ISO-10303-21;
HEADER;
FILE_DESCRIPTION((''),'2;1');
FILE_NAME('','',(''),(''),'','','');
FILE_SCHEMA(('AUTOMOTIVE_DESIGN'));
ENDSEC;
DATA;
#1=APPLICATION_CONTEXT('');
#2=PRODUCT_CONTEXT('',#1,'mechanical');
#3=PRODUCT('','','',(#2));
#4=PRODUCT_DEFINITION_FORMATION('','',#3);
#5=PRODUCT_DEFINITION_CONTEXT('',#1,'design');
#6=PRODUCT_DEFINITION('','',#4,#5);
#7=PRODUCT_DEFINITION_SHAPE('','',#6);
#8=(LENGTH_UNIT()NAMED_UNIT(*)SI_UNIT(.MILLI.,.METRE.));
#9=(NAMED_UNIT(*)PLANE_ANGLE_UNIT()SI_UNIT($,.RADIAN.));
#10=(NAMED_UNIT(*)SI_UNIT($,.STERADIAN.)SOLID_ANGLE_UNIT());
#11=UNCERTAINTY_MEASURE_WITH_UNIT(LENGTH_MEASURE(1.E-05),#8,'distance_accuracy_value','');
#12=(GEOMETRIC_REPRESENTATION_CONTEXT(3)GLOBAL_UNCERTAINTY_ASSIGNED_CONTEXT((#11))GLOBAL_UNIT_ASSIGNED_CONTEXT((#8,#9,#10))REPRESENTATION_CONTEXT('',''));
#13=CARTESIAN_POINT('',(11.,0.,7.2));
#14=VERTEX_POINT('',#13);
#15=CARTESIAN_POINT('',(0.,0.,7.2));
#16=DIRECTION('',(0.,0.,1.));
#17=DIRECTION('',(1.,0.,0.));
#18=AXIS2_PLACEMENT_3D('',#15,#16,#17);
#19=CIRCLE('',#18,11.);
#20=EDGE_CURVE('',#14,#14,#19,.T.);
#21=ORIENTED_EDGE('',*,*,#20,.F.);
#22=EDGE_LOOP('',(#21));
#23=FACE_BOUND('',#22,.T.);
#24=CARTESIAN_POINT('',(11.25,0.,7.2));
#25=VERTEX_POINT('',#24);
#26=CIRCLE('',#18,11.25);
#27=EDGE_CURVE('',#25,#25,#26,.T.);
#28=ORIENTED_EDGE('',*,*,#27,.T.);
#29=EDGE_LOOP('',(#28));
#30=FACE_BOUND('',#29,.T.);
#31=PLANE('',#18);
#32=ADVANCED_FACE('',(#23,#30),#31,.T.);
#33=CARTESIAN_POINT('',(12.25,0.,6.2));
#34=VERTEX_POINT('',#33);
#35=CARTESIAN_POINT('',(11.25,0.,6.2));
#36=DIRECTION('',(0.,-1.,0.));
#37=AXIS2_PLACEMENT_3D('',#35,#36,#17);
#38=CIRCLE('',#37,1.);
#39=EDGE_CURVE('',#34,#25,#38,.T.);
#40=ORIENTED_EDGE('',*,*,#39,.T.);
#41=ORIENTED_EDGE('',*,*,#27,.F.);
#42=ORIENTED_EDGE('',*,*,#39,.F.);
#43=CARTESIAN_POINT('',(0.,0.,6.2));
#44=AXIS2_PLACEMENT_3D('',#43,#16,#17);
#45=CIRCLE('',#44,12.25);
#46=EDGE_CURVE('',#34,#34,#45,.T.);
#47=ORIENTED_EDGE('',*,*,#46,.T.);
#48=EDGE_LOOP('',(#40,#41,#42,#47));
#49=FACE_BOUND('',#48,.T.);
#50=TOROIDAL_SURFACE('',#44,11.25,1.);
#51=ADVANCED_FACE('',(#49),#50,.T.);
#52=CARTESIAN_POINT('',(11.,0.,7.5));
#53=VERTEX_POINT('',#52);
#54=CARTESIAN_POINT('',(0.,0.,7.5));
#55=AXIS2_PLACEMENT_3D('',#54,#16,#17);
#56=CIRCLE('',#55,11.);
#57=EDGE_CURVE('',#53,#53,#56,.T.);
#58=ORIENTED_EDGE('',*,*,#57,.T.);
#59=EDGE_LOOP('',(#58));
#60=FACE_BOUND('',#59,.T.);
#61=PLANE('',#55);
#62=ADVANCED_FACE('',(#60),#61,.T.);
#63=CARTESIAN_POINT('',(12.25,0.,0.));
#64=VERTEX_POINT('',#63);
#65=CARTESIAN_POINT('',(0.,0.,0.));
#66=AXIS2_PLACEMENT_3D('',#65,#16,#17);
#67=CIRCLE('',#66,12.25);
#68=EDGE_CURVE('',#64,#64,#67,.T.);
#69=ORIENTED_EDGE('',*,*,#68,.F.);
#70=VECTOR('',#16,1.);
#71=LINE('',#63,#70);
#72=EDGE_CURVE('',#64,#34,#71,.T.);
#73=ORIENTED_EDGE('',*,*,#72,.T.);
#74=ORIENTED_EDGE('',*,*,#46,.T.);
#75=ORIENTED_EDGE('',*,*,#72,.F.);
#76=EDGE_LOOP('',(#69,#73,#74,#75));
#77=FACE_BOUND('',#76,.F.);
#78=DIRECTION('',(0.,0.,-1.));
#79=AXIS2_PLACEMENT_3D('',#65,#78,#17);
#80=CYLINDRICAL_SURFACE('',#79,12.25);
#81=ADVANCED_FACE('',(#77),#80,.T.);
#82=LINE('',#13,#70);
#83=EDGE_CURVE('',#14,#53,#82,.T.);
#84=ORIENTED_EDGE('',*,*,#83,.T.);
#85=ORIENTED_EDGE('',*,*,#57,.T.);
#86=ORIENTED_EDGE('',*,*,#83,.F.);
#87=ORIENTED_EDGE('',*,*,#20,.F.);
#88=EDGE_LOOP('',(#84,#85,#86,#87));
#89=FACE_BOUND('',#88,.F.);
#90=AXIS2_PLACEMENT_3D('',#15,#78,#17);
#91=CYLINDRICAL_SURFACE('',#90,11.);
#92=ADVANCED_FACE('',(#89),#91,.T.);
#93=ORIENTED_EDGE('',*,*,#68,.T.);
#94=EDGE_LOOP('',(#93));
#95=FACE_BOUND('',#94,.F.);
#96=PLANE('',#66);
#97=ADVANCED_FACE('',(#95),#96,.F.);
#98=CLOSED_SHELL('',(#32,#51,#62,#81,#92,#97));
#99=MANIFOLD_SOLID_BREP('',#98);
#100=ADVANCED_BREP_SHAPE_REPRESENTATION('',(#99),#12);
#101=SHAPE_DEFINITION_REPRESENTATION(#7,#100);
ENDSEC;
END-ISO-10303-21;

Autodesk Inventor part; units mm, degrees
ref_plane "YZ Plane" through (0, 0, 0) normal (1, 0, 0) x (0, 1, 0)
ref_plane "XZ Plane" through (0, 0, 0) normal (0, 1, 0) x (-1, 0, 0)
ref_plane "XY Plane" through (0, 0, 0) normal (0, 0, 1) x (1, 0, 0)
sketch "Boceto1" plane through (0, 0, 0) normal (0, 0, 1) x (1, 0, 0)
  circle A0 centre (0, 0) radius 12.25
  dimension "d0" = 24.5
extrude "Extrusión1" add sketch "Boceto1" along normal blind 7.2
sketch "Boceto2" plane through (0, 0, 7.2) normal (0, 0, 1) x (1, 0, 0)
  circle A0 centre (0, 0) radius 11
  dimension "d3" = 22
extrude "Extrusión2" add sketch "Boceto2" along normal blind 0.3
fillet "Empalme1" radius 1 1 edges at (-12.25, 0, 7.2)
equation "\"Radio_pliegue\" = Grosor"
equation "\"Anchura_desahogo_plegado\" = Grosor"
equation "\"Profundidad_desahogo_plegado\" = 0.5 * Grosor"
equation "\"Tamaño_destalonado\" = 4 * Grosor"
equation "\"Remanente_mínimo\" = 2 * Grosor"
equation "\"Radiodetransición\" = Radio_pliegue"
equation "\"Tamaño_de_radio_de_Jacobi\" = Radio_pliegue"
equation "\"TamañoSeparación\" = Grosor"
equation "\"Grosor\" = 0.5"
properties part number "Battery"
